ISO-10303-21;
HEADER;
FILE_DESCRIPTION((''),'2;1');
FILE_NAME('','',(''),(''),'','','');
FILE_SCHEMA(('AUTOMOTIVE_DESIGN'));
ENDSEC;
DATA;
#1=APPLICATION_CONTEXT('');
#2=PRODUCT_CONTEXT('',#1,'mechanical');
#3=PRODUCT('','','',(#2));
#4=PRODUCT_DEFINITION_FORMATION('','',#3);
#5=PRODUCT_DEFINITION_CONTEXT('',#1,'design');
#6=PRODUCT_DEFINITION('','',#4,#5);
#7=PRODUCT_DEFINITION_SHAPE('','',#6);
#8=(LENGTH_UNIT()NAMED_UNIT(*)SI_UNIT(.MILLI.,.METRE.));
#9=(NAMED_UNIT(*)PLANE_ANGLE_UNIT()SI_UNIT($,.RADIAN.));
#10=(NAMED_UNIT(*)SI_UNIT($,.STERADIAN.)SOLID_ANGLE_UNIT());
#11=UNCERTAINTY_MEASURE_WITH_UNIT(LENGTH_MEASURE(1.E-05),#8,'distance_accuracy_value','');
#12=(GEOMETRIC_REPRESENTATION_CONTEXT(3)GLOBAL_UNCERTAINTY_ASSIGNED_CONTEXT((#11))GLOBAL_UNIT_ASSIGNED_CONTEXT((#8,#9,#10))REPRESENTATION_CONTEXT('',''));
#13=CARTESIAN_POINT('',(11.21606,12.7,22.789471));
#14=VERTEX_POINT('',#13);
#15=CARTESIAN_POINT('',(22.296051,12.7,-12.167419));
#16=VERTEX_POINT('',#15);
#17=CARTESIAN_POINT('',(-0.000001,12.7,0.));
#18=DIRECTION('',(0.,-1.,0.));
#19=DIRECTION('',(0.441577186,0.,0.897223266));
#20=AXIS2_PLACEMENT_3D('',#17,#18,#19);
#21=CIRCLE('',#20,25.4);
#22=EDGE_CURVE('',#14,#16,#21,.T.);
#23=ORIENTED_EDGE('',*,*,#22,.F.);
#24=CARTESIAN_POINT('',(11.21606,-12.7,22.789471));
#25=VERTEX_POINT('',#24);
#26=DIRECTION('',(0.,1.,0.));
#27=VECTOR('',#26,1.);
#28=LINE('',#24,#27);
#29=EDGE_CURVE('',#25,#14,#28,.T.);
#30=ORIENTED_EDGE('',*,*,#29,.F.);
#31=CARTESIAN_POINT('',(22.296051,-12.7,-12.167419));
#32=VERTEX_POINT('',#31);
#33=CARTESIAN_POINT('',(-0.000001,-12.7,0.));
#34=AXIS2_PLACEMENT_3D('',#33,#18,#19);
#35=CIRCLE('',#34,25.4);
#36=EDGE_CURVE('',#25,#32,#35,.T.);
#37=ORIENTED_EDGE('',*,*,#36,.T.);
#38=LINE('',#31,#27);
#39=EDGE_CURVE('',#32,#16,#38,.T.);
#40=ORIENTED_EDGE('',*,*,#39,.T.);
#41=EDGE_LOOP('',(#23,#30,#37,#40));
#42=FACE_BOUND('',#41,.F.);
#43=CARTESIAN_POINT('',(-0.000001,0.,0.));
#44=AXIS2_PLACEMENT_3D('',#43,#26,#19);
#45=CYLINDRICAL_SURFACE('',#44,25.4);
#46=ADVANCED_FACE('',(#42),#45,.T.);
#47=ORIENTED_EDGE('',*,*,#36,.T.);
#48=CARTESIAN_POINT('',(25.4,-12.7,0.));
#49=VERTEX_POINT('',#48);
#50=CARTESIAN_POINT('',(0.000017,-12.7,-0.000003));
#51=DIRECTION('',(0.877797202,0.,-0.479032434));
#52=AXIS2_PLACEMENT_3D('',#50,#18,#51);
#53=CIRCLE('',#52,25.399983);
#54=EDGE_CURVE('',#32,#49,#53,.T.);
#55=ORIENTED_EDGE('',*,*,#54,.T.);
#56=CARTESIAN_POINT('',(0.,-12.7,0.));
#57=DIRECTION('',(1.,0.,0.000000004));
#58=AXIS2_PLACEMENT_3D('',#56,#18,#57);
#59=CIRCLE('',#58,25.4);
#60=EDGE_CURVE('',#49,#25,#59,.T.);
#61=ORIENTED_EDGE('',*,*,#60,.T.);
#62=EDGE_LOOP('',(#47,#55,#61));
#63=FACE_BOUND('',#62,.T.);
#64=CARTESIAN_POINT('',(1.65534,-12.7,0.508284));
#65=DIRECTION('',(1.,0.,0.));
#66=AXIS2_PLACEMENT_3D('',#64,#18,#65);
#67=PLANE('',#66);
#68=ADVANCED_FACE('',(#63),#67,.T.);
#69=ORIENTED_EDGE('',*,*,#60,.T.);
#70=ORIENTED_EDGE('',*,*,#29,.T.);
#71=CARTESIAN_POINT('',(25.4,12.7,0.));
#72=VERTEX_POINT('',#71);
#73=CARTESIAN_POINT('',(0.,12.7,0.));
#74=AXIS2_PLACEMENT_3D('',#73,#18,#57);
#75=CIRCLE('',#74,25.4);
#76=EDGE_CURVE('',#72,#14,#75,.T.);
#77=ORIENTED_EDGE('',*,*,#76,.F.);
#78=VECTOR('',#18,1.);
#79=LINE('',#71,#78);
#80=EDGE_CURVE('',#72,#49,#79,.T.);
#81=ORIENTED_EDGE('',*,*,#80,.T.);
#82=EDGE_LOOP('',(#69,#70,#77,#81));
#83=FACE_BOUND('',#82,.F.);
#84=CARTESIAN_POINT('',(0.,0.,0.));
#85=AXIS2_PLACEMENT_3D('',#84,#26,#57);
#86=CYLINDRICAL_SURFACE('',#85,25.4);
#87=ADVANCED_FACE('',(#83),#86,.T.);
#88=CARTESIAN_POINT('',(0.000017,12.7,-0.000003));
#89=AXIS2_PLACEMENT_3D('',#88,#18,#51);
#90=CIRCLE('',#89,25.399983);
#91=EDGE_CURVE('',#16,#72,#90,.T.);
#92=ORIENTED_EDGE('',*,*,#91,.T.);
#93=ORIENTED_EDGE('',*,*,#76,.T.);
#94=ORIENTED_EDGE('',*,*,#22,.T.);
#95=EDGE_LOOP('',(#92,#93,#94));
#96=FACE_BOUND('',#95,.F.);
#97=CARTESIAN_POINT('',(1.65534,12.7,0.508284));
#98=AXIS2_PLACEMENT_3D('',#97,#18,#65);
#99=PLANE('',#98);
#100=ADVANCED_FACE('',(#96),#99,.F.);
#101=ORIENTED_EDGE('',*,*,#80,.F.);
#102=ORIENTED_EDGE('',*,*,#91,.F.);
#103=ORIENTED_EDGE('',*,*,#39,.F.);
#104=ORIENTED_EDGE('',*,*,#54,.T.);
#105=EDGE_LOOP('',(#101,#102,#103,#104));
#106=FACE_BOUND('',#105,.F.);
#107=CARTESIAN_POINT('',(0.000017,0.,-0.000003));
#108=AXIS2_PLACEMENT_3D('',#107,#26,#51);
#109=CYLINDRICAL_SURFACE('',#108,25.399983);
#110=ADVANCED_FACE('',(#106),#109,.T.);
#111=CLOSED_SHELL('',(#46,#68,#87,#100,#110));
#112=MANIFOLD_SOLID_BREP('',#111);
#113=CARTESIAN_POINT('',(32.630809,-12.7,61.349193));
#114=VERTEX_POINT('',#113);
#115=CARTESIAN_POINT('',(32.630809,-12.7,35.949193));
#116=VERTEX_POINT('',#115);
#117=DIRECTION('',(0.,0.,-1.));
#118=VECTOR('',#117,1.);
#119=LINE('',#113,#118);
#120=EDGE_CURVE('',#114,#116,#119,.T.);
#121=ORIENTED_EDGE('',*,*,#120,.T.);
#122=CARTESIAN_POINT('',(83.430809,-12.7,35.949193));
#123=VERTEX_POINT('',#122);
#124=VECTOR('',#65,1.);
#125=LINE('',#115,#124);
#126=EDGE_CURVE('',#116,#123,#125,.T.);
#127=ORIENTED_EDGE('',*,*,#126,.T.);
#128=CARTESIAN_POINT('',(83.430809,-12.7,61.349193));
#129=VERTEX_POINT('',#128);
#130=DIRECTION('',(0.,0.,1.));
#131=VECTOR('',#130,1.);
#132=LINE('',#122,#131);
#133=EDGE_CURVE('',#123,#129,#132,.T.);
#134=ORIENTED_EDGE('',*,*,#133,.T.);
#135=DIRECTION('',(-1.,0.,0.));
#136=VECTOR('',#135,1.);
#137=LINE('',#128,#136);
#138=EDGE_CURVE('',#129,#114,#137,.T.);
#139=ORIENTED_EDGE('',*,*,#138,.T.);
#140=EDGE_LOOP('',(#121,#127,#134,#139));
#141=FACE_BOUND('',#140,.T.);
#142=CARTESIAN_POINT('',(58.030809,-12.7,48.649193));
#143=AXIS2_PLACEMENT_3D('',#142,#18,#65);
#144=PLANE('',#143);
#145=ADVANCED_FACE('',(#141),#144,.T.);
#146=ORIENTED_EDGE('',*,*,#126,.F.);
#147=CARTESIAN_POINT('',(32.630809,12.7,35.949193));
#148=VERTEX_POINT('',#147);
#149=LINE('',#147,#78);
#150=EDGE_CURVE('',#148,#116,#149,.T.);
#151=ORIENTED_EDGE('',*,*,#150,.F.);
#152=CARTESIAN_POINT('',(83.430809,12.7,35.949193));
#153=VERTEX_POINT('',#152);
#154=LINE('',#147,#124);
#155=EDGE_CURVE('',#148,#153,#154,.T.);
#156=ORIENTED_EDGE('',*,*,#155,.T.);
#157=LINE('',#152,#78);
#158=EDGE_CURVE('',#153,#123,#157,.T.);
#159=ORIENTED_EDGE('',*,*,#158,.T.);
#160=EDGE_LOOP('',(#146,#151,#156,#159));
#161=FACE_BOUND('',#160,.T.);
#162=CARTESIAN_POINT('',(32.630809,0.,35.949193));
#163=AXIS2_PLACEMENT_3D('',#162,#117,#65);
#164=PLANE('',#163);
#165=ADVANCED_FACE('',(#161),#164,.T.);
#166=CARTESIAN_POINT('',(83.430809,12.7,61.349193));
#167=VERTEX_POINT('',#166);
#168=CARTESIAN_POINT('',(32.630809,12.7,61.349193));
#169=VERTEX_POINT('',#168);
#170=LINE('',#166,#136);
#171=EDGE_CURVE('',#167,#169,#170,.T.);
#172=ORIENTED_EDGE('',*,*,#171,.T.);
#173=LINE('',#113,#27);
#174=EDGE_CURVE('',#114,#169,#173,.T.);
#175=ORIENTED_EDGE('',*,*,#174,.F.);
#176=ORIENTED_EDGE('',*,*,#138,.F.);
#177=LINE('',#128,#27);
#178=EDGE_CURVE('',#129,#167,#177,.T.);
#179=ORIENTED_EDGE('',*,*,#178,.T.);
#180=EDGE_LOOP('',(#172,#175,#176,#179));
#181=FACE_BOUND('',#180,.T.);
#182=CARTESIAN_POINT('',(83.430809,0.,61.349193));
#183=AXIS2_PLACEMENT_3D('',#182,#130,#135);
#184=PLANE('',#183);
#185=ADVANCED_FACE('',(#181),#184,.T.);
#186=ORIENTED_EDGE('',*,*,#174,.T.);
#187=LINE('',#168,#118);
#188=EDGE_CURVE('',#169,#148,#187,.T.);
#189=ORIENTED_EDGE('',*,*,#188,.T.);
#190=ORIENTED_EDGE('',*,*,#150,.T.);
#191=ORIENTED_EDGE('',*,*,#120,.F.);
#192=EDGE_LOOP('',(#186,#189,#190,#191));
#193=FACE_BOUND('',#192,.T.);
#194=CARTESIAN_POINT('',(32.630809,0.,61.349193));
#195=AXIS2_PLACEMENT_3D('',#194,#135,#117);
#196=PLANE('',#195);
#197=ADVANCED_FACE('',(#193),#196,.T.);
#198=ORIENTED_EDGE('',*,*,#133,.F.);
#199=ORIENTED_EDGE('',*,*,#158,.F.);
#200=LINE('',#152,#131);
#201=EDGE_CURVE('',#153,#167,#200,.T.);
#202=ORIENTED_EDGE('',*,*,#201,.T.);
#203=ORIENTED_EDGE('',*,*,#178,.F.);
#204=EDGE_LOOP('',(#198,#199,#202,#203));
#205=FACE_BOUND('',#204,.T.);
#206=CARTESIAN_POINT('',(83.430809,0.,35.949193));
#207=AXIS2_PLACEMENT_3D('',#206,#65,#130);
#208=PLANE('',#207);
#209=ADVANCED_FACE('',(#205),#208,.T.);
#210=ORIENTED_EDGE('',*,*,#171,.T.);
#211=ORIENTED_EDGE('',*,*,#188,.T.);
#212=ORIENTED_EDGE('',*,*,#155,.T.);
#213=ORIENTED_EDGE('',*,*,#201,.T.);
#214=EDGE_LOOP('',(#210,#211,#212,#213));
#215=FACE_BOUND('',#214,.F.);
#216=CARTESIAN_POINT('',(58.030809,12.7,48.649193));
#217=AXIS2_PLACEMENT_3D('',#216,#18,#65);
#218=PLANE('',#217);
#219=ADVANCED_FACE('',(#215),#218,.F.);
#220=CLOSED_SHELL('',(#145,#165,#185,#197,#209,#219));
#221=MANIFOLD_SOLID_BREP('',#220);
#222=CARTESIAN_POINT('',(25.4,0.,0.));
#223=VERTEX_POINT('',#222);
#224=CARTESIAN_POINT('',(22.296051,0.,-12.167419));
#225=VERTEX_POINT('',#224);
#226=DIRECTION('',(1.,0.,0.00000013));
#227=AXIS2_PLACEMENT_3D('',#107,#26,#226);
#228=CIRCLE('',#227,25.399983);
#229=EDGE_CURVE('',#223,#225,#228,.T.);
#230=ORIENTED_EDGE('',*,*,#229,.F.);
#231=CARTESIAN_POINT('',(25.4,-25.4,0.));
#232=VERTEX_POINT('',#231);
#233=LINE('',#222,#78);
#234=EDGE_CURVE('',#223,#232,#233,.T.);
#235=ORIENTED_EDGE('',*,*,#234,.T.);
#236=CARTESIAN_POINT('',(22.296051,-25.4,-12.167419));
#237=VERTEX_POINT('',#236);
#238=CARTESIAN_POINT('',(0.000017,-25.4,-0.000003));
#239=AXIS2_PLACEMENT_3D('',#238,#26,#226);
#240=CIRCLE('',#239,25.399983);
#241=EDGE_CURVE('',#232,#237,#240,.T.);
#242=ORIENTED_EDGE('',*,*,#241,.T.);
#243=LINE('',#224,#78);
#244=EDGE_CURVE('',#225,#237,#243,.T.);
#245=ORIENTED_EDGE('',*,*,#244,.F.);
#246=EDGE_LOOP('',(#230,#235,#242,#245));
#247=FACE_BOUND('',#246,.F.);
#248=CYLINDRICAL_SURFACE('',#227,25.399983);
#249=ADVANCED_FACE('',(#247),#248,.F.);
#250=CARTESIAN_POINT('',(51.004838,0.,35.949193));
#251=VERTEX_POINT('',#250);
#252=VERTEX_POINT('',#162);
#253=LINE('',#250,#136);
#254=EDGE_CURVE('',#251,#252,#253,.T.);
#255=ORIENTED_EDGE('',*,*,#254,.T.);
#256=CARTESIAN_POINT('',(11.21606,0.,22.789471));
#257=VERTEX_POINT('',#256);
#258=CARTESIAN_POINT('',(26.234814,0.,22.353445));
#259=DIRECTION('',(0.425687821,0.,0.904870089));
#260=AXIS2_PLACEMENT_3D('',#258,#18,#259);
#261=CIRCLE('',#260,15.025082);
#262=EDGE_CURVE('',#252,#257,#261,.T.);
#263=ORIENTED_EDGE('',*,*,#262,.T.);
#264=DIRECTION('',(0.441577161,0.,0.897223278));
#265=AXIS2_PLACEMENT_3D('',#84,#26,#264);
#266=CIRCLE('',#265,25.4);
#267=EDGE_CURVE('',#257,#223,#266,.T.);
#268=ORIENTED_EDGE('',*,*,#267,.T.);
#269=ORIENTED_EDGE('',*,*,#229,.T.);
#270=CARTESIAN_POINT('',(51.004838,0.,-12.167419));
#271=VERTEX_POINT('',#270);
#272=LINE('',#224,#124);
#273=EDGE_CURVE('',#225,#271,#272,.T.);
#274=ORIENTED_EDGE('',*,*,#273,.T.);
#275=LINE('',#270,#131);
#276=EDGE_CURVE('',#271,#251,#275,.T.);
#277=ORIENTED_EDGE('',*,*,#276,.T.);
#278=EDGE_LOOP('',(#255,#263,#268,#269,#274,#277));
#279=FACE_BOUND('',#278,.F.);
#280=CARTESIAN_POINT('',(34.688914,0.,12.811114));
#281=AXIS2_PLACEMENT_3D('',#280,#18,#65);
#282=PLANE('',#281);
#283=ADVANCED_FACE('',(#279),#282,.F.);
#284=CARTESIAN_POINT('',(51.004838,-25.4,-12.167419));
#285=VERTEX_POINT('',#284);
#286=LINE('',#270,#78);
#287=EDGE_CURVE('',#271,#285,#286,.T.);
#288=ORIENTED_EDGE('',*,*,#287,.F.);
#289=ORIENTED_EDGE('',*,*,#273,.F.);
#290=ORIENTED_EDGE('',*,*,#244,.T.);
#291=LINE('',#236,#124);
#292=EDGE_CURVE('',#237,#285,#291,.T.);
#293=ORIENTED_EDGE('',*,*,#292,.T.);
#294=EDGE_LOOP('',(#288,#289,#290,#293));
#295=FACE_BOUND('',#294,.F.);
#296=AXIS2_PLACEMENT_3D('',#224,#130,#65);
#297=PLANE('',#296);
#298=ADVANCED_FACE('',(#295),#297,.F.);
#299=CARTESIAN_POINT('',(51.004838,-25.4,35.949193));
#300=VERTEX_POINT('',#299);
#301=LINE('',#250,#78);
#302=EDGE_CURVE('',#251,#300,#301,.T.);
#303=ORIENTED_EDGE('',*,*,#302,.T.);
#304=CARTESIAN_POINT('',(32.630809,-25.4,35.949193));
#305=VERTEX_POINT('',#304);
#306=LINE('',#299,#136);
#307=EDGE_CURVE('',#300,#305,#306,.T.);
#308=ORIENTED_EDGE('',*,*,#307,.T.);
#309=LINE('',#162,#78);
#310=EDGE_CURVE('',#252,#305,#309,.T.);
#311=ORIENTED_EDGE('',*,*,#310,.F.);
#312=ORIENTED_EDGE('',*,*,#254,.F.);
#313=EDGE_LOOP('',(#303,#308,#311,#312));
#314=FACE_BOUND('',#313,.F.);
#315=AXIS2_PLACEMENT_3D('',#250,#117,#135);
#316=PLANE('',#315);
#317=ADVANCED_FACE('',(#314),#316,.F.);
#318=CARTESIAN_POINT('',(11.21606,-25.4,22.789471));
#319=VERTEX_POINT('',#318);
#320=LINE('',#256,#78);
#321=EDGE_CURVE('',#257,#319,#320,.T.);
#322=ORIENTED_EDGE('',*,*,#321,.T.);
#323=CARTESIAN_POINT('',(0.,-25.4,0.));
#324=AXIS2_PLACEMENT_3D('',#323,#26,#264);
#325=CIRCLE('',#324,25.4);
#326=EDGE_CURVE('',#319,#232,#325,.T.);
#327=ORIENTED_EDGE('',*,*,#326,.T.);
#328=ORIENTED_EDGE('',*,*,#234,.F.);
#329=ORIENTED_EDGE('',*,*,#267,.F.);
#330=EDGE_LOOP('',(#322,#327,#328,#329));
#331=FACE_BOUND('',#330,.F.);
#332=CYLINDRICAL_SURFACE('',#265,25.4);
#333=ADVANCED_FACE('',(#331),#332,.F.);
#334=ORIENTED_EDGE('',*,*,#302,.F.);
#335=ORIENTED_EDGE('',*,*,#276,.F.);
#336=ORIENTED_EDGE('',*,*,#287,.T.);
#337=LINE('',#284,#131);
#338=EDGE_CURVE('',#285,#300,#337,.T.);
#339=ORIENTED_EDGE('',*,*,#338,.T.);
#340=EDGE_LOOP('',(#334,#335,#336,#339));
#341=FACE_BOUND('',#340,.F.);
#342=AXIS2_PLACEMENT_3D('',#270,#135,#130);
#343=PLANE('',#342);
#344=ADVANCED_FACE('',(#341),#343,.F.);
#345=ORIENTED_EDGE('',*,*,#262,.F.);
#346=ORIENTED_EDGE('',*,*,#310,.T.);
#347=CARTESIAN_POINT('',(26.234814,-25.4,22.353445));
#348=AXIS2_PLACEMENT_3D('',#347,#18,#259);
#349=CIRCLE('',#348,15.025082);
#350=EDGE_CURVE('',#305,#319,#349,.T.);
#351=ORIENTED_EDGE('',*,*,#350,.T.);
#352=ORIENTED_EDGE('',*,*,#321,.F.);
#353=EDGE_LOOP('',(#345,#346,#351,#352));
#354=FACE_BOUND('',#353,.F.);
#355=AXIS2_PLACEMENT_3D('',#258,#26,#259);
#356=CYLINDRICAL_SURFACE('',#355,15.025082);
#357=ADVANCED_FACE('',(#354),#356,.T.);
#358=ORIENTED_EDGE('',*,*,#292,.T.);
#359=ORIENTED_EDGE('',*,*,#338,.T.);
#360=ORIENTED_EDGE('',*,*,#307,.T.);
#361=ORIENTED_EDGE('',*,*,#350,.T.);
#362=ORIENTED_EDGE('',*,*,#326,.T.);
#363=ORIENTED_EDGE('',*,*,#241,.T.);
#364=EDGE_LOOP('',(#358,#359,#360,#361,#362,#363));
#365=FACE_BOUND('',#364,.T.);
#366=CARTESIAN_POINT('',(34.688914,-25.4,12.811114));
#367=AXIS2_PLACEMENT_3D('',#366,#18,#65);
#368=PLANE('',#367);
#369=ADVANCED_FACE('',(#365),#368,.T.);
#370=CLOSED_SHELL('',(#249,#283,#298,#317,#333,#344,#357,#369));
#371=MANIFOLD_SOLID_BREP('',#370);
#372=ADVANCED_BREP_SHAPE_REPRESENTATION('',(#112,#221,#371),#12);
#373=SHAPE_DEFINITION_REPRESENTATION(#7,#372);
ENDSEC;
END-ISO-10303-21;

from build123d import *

# Parameters (mm, degrees)
F1_DEPTH = 12.7
F2_DEPTH = 25.4


with BuildPart() as f1:
    # F0 (on Front) → F1 (new body, symmetric)
    with BuildSketch(Plane.XZ):
        with BuildLine():
            ThreePointArc((22.296051, -12.167419), (24.611783, -6.278547), (25.4, 0))
            ThreePointArc((25.4, 0), (21.564414, 13.421477), (11.21606, 22.789471))
            ThreePointArc((11.21606, 22.789471), (-24.212837, -7.674539), (22.296051, -12.167419))
        make_face()
        Polygon((32.630809, 61.349193), (32.630809, 35.949193), (51.004838, 35.949193), (83.430809, 35.949193), (83.430809, 61.349193), align=None)
    extrude(amount=F1_DEPTH, both=True)


with BuildPart() as f2:
    # F0 (on Front) → F2 (new body)
    with BuildSketch(Plane.XZ):
        with BuildLine():
            ThreePointArc((11.21606, 22.789471), (21.564414, 13.421477), (25.4, 0))
            ThreePointArc((25.4, 0), (24.611783, -6.278547), (22.296051, -12.167419))
            Line((22.296051, -12.167419), (51.004838, -12.167419))
            Line((51.004838, -12.167419), (51.004838, 35.949193))
            Line((51.004838, 35.949193), (32.630809, 35.949193))
            ThreePointArc((32.630809, 35.949193), (18.368267, 35.154638), (11.21606, 22.789471))
        make_face()
    extrude(amount=F2_DEPTH)


solid = Compound([f1.part, f2.part])
